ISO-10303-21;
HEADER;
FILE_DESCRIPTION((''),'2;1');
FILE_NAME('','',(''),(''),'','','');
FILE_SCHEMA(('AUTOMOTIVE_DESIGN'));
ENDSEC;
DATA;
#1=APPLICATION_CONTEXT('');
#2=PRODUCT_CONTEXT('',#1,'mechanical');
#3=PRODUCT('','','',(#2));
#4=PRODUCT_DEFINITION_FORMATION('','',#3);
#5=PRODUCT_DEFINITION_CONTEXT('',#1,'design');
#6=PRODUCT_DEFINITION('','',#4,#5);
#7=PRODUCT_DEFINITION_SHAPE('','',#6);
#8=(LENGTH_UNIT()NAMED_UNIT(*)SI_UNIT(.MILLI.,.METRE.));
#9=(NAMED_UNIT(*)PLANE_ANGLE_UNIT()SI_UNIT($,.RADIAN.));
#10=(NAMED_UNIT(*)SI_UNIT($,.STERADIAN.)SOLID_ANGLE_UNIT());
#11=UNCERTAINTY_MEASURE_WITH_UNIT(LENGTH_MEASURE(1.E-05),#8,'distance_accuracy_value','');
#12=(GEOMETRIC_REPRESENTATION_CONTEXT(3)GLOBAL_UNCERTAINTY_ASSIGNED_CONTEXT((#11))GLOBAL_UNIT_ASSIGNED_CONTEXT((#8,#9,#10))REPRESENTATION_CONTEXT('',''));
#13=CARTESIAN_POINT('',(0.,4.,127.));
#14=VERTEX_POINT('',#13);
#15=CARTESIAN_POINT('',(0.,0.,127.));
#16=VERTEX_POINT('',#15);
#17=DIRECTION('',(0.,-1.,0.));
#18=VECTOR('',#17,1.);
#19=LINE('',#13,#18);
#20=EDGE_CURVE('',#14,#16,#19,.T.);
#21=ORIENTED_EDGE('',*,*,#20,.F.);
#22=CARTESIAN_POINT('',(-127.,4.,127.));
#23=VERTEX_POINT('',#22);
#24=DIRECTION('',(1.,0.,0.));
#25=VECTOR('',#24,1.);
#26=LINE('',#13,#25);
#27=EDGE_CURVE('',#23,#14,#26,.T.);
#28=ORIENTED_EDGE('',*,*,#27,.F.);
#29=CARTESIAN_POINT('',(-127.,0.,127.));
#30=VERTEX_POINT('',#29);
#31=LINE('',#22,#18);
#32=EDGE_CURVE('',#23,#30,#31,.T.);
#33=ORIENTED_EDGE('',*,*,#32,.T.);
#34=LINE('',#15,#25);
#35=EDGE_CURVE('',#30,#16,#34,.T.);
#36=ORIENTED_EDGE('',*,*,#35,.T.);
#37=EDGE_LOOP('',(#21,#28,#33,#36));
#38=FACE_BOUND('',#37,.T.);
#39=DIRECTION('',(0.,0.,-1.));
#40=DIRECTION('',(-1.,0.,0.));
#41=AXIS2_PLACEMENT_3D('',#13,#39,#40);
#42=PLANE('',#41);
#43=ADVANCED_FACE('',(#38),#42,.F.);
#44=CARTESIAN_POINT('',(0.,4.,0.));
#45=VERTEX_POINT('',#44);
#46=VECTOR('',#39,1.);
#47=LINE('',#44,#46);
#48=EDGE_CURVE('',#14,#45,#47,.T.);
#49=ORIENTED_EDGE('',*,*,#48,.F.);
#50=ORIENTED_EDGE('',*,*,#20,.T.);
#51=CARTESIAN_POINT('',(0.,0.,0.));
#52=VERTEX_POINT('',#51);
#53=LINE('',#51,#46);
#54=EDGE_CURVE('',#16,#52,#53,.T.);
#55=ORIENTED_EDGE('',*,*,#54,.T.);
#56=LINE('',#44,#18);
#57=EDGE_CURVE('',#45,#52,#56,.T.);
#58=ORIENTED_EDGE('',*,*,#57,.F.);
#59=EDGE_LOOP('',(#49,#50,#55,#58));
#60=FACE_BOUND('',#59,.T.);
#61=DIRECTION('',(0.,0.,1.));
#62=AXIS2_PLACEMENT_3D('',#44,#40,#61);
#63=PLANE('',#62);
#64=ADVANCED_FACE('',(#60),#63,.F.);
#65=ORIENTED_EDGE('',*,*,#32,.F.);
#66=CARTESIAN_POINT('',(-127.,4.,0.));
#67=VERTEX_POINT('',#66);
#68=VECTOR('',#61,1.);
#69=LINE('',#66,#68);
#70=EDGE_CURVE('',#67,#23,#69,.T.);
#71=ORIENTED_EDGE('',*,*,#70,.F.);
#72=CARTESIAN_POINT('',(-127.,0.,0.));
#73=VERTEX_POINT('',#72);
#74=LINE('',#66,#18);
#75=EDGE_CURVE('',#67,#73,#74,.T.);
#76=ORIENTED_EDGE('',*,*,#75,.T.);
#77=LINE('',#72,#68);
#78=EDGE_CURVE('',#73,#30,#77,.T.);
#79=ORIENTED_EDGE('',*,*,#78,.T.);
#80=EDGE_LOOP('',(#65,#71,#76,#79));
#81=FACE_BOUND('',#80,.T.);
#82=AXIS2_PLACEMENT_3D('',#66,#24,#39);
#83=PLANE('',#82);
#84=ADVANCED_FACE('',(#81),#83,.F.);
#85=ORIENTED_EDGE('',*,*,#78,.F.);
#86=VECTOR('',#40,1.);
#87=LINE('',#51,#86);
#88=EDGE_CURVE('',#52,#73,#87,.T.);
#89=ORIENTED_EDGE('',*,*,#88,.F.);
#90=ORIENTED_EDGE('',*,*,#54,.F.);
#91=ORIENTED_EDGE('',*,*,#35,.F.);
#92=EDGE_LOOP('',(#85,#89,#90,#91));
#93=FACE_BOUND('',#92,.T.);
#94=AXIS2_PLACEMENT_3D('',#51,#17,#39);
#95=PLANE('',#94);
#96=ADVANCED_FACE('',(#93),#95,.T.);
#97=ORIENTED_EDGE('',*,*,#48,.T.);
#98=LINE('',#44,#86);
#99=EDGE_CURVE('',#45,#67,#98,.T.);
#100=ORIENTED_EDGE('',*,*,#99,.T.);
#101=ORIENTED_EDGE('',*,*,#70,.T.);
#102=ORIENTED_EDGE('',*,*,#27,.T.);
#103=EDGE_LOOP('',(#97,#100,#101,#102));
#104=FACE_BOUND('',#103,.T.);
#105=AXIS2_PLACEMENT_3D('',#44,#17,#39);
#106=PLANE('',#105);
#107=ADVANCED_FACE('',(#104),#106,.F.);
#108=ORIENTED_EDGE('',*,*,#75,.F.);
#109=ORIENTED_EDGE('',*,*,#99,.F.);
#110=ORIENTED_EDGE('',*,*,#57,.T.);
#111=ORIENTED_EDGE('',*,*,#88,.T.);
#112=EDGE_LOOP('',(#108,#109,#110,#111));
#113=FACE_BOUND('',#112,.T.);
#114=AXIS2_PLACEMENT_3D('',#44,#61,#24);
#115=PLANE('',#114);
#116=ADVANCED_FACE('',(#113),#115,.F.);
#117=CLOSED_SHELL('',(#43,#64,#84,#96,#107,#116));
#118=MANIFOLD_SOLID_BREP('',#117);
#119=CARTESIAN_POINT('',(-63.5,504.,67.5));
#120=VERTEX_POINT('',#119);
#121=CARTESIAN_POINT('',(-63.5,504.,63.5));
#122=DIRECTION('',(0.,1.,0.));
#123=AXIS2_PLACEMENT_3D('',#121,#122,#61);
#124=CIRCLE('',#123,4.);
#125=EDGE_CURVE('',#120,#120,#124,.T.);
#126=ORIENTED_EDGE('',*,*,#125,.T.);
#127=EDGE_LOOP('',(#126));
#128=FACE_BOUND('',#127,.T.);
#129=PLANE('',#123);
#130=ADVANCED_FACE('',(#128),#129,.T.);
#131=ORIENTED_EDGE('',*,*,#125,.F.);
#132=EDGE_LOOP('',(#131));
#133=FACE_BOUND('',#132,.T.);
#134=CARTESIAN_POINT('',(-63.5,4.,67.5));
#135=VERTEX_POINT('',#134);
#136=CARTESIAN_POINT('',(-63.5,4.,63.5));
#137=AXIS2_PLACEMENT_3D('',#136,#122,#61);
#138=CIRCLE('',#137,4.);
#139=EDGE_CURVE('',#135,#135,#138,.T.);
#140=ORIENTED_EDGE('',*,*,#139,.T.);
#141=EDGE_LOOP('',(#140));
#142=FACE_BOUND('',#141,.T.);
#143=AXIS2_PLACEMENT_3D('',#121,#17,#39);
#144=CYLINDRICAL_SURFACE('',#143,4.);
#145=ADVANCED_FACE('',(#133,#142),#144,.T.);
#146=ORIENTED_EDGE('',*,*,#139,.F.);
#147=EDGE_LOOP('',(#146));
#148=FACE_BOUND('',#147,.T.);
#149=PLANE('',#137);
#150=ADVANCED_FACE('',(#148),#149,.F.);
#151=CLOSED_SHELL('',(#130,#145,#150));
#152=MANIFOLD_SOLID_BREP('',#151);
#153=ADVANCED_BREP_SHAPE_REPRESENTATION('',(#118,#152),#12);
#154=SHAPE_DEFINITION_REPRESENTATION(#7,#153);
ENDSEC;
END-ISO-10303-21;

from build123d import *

# Parameters (mm, degrees)
SKETCH1_W           = 127
SKETCH1_H           = 127
BOSS_EXTRUDE1_DEPTH = 4
SKETCH2_R           = 4
BOSS_EXTRUDE2_DEPTH = 500


with BuildPart() as part:
    # Sketch1 → Boss-Extrude1 (new body)
    with BuildSketch(Plane(origin=(0, 0, 0), x_dir=(1, 0, 0), z_dir=(0, 1, 0))):
        with Locations((-63.5, -63.5)):
            Rectangle(SKETCH1_W, SKETCH1_H)
    extrude(amount=BOSS_EXTRUDE1_DEPTH)


with BuildPart() as body_2:
    # Sketch2 → Boss-Extrude2 (new body)
    with BuildSketch(Plane(origin=(0, 4, 0), x_dir=(1, 0, 0), z_dir=(0, 1, 0))):
        with Locations(Location((-63.5, -63.5, 0), (0, 0, 270))):
            Circle(SKETCH2_R)
    extrude(amount=BOSS_EXTRUDE2_DEPTH)


solid = Compound([part.part, body_2.part])
